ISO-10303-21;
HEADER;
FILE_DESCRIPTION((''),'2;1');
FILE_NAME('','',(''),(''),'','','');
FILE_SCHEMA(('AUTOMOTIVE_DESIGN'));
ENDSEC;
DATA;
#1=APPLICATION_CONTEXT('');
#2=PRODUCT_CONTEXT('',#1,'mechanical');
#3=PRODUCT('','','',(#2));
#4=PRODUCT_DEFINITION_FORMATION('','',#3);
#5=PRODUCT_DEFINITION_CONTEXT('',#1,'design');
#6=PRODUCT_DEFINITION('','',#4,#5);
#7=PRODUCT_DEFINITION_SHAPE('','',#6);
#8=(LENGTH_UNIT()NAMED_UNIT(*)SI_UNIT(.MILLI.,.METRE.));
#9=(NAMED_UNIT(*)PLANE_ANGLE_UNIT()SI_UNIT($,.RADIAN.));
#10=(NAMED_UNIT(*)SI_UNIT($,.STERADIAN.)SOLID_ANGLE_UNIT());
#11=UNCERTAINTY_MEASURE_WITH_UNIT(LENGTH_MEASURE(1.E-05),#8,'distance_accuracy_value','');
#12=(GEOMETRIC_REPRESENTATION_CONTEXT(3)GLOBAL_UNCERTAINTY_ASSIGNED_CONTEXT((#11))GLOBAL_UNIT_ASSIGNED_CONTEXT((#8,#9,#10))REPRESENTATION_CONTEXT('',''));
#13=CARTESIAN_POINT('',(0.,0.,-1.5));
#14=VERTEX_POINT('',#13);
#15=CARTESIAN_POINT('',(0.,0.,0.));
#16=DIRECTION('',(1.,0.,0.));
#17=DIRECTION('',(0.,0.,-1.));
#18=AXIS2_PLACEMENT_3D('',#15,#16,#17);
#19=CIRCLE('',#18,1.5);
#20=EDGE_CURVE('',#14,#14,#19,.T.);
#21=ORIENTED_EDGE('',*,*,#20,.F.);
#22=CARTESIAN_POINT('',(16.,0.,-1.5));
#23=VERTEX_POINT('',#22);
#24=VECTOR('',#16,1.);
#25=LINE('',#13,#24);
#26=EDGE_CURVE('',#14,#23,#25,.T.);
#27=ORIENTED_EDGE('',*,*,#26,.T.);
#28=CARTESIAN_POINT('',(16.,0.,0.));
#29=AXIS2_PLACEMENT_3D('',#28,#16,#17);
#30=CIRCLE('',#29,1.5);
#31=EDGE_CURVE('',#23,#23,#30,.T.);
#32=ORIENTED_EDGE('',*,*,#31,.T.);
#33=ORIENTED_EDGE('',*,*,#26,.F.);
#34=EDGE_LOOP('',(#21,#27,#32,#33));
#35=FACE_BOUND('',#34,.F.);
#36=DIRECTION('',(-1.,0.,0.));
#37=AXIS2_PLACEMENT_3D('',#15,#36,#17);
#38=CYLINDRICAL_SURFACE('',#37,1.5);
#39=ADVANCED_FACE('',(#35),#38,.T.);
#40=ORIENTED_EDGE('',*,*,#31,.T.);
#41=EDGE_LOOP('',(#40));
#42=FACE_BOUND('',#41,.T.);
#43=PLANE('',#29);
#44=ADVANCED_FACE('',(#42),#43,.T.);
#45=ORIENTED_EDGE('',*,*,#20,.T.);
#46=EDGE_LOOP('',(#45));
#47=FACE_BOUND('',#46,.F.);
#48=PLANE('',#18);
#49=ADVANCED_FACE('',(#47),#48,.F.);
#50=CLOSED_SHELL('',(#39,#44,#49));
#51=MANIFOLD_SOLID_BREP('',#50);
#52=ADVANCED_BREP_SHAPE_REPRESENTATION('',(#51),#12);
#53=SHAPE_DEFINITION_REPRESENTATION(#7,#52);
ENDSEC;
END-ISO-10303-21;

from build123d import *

# Parameters (mm, degrees)
SKETCH1_R           = 1.5
BOSS_EXTRUDE1_DEPTH = 16


with BuildPart() as part:
    # Sketch1 → Boss-Extrude1 (new body)
    with BuildSketch(Plane(origin=(0, 0, 0), x_dir=(0, 0, -1), z_dir=(1, 0, 0))):
        Circle(SKETCH1_R)
    extrude(amount=BOSS_EXTRUDE1_DEPTH)


solid = part.part
